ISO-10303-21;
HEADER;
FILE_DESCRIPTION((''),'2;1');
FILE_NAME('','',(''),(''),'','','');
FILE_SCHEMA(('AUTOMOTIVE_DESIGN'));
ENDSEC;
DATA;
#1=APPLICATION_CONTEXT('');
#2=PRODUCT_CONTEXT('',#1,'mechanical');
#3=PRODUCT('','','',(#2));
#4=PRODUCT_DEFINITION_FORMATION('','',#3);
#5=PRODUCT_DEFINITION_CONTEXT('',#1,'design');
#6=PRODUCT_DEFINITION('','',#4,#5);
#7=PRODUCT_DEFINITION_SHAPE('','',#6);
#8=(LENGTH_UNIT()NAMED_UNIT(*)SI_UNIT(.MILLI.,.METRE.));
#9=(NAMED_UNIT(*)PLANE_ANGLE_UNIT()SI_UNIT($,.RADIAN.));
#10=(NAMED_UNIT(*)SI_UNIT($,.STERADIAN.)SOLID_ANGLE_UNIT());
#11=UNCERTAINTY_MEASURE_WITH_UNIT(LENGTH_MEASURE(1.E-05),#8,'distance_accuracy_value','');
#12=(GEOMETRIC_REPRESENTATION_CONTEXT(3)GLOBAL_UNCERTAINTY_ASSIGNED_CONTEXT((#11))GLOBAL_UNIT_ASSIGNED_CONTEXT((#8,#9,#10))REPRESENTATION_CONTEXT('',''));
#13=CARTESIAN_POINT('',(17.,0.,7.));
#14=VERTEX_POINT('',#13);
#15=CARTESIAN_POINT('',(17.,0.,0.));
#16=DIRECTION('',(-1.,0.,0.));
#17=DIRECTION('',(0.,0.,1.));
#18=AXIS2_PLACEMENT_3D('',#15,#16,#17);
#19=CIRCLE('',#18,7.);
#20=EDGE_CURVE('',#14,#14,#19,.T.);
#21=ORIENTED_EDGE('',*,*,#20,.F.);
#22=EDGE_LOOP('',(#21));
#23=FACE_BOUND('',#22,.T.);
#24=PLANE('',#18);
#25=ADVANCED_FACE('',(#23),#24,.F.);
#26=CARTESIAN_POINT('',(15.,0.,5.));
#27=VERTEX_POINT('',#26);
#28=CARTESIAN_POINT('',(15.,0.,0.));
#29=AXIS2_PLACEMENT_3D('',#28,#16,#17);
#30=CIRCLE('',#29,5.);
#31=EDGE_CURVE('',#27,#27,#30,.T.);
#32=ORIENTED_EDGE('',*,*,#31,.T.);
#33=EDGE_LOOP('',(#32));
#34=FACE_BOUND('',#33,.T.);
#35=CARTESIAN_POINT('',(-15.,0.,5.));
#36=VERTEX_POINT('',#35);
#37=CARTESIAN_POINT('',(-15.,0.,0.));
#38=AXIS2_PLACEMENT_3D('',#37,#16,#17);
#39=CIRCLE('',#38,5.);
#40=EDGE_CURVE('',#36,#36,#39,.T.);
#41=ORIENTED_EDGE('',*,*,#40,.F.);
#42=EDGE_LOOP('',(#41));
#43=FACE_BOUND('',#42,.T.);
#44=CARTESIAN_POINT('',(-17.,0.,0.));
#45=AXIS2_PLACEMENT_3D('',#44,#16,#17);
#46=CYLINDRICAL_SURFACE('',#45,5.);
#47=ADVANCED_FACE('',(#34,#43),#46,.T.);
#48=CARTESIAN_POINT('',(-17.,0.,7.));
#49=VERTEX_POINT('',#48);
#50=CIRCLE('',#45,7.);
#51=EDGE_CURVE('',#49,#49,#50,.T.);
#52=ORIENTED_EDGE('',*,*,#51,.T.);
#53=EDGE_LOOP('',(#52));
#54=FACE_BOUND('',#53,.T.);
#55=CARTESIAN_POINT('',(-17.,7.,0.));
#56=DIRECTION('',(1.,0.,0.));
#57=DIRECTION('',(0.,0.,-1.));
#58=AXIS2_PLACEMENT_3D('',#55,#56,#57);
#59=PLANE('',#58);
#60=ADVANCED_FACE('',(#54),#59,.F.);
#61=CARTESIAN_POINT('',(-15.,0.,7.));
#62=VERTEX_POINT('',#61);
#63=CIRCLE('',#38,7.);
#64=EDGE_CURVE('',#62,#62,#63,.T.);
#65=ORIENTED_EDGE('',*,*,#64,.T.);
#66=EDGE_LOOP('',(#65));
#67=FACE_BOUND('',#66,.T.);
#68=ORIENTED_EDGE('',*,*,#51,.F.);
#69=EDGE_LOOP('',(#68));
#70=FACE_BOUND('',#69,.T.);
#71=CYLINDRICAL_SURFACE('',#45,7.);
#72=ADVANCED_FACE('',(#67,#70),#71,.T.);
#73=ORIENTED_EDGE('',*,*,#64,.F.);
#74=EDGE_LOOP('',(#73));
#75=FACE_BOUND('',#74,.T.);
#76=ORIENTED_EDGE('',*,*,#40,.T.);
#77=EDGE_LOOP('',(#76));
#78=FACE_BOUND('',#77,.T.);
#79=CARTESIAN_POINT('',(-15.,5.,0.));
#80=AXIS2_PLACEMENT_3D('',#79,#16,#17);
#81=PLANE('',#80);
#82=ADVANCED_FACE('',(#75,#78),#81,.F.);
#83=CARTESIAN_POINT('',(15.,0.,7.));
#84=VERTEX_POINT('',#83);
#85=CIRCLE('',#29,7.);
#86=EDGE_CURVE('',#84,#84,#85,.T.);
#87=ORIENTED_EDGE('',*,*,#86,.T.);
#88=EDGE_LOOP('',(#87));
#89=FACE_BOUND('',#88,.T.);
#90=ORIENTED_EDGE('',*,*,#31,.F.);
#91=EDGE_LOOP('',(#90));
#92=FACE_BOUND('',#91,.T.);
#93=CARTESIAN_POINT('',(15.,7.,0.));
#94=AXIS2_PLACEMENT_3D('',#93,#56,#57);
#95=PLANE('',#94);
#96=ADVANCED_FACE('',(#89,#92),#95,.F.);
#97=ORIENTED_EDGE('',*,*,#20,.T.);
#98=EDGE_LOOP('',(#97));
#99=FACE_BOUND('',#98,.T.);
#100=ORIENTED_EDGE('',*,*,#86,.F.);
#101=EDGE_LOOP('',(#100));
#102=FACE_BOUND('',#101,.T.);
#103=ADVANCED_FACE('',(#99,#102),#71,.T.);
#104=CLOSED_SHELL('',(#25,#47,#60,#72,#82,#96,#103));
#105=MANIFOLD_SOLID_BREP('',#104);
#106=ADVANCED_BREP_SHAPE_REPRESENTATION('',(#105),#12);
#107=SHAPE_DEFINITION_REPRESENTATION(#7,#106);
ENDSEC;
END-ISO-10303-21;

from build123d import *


with BuildPart() as part:
    # Sketch1 → Revolve1 (revolve)
    with BuildSketch(Plane.XY, mode=Mode.PRIVATE) as revolve1_sk:
        Polygon((-15, 5), (15, 5), (15, 7), (17, 7), (17, 0), (-17, 0), (-17, 7), (-15, 7), align=None)
    revolve(revolve1_sk.sketch.rotate(Axis((-17, 0, 0), (1, 0, 0)), 90), axis=Axis((-17, 0, 0), (1, 0, 0)))


solid = part.part
